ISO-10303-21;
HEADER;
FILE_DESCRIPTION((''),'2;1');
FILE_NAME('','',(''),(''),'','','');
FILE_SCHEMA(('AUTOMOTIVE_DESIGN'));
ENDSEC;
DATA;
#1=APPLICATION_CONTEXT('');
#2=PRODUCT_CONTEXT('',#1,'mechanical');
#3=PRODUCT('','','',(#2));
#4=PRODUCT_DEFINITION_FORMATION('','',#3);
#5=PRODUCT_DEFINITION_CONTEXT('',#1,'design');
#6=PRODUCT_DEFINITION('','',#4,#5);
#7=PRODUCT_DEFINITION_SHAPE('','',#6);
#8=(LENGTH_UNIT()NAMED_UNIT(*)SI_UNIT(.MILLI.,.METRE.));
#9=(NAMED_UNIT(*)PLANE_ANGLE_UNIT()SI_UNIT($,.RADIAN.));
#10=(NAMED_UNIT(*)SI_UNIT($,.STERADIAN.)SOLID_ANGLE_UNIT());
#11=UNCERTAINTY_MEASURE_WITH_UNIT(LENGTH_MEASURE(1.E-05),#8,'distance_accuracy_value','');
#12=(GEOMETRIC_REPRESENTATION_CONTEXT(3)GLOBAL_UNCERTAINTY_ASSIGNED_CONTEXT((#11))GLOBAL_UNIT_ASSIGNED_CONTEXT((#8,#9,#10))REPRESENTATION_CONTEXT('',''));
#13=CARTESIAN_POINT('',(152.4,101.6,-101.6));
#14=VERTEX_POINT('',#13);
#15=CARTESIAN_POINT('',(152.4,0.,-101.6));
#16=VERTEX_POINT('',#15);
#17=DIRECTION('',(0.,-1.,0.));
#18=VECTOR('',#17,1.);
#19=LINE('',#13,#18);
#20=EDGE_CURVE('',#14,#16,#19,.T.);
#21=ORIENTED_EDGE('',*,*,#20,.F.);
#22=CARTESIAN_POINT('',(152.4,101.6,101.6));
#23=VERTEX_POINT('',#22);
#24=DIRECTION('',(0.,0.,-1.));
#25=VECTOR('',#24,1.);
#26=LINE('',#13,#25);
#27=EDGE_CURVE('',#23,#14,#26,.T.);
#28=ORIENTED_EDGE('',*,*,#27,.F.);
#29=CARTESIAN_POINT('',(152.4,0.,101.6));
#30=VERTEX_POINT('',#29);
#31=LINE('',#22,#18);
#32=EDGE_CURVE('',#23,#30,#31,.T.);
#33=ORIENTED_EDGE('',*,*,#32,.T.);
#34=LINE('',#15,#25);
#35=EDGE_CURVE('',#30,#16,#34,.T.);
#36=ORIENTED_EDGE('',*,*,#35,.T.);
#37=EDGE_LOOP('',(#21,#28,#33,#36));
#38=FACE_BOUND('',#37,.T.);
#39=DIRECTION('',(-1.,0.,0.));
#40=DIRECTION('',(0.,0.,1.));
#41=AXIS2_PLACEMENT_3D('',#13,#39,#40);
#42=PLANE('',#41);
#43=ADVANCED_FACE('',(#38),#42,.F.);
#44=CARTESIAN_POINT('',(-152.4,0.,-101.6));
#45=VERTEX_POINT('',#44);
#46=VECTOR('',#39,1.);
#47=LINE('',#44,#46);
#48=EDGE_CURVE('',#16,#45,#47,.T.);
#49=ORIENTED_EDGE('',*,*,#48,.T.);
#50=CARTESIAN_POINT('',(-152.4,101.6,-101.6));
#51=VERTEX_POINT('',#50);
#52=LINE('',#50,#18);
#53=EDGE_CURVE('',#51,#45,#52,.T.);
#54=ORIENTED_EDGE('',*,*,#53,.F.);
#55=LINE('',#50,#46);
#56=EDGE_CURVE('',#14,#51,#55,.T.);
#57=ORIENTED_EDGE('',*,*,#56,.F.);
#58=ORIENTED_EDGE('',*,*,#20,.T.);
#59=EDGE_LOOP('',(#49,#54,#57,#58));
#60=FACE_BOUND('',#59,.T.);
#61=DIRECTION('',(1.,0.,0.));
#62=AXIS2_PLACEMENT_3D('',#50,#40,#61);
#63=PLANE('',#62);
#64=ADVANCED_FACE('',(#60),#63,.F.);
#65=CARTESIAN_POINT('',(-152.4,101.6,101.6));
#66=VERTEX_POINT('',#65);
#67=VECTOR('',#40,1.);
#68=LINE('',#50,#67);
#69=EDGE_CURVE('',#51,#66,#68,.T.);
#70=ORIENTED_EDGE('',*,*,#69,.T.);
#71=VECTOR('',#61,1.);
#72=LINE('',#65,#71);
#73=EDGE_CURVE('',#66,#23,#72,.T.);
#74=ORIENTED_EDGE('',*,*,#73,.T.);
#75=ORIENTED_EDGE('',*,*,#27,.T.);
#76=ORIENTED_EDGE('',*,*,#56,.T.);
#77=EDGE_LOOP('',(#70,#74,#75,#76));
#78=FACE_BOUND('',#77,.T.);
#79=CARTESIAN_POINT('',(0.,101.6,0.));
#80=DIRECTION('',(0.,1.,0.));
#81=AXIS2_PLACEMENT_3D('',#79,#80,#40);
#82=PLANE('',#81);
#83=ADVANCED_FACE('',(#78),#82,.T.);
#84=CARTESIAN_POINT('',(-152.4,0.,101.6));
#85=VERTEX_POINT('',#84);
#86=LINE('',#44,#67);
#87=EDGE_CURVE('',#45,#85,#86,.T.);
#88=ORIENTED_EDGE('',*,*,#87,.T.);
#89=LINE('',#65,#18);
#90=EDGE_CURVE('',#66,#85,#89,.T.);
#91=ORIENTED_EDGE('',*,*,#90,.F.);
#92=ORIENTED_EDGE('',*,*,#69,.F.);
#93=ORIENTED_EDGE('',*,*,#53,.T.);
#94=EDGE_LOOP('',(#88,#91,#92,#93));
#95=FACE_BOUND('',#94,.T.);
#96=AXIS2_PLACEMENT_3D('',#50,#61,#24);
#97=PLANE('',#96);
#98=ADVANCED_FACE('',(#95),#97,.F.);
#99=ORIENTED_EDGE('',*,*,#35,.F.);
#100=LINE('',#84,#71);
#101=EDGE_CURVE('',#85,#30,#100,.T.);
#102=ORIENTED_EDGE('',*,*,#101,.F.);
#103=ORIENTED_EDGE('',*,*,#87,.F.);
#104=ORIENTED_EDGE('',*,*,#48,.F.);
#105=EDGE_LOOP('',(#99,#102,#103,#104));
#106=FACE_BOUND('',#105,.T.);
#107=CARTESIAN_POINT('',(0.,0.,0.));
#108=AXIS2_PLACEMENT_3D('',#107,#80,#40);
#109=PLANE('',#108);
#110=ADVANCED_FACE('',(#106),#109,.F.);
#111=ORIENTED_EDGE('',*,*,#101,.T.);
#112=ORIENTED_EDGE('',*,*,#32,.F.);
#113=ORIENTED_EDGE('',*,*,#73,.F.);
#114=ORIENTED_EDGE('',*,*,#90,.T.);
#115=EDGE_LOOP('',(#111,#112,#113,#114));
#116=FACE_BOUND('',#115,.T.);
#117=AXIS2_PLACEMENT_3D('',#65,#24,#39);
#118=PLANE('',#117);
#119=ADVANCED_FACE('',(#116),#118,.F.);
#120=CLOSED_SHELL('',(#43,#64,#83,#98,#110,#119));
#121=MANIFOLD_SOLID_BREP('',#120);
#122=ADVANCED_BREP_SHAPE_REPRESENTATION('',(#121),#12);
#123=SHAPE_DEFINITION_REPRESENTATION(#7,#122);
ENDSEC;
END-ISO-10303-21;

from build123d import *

# Parameters (mm, degrees)
SKETCH1_W           = 304.8
SKETCH1_H           = 203.2
BOSS_EXTRUDE1_DEPTH = 101.6


with BuildPart() as part:
    # Sketch1 → Boss-Extrude1 (new body)
    with BuildSketch(Plane(origin=(0, 0, 0), x_dir=(1, 0, 0), z_dir=(0, 1, 0))):
        Rectangle(SKETCH1_W, SKETCH1_H)
    extrude(amount=BOSS_EXTRUDE1_DEPTH)


solid = part.part
